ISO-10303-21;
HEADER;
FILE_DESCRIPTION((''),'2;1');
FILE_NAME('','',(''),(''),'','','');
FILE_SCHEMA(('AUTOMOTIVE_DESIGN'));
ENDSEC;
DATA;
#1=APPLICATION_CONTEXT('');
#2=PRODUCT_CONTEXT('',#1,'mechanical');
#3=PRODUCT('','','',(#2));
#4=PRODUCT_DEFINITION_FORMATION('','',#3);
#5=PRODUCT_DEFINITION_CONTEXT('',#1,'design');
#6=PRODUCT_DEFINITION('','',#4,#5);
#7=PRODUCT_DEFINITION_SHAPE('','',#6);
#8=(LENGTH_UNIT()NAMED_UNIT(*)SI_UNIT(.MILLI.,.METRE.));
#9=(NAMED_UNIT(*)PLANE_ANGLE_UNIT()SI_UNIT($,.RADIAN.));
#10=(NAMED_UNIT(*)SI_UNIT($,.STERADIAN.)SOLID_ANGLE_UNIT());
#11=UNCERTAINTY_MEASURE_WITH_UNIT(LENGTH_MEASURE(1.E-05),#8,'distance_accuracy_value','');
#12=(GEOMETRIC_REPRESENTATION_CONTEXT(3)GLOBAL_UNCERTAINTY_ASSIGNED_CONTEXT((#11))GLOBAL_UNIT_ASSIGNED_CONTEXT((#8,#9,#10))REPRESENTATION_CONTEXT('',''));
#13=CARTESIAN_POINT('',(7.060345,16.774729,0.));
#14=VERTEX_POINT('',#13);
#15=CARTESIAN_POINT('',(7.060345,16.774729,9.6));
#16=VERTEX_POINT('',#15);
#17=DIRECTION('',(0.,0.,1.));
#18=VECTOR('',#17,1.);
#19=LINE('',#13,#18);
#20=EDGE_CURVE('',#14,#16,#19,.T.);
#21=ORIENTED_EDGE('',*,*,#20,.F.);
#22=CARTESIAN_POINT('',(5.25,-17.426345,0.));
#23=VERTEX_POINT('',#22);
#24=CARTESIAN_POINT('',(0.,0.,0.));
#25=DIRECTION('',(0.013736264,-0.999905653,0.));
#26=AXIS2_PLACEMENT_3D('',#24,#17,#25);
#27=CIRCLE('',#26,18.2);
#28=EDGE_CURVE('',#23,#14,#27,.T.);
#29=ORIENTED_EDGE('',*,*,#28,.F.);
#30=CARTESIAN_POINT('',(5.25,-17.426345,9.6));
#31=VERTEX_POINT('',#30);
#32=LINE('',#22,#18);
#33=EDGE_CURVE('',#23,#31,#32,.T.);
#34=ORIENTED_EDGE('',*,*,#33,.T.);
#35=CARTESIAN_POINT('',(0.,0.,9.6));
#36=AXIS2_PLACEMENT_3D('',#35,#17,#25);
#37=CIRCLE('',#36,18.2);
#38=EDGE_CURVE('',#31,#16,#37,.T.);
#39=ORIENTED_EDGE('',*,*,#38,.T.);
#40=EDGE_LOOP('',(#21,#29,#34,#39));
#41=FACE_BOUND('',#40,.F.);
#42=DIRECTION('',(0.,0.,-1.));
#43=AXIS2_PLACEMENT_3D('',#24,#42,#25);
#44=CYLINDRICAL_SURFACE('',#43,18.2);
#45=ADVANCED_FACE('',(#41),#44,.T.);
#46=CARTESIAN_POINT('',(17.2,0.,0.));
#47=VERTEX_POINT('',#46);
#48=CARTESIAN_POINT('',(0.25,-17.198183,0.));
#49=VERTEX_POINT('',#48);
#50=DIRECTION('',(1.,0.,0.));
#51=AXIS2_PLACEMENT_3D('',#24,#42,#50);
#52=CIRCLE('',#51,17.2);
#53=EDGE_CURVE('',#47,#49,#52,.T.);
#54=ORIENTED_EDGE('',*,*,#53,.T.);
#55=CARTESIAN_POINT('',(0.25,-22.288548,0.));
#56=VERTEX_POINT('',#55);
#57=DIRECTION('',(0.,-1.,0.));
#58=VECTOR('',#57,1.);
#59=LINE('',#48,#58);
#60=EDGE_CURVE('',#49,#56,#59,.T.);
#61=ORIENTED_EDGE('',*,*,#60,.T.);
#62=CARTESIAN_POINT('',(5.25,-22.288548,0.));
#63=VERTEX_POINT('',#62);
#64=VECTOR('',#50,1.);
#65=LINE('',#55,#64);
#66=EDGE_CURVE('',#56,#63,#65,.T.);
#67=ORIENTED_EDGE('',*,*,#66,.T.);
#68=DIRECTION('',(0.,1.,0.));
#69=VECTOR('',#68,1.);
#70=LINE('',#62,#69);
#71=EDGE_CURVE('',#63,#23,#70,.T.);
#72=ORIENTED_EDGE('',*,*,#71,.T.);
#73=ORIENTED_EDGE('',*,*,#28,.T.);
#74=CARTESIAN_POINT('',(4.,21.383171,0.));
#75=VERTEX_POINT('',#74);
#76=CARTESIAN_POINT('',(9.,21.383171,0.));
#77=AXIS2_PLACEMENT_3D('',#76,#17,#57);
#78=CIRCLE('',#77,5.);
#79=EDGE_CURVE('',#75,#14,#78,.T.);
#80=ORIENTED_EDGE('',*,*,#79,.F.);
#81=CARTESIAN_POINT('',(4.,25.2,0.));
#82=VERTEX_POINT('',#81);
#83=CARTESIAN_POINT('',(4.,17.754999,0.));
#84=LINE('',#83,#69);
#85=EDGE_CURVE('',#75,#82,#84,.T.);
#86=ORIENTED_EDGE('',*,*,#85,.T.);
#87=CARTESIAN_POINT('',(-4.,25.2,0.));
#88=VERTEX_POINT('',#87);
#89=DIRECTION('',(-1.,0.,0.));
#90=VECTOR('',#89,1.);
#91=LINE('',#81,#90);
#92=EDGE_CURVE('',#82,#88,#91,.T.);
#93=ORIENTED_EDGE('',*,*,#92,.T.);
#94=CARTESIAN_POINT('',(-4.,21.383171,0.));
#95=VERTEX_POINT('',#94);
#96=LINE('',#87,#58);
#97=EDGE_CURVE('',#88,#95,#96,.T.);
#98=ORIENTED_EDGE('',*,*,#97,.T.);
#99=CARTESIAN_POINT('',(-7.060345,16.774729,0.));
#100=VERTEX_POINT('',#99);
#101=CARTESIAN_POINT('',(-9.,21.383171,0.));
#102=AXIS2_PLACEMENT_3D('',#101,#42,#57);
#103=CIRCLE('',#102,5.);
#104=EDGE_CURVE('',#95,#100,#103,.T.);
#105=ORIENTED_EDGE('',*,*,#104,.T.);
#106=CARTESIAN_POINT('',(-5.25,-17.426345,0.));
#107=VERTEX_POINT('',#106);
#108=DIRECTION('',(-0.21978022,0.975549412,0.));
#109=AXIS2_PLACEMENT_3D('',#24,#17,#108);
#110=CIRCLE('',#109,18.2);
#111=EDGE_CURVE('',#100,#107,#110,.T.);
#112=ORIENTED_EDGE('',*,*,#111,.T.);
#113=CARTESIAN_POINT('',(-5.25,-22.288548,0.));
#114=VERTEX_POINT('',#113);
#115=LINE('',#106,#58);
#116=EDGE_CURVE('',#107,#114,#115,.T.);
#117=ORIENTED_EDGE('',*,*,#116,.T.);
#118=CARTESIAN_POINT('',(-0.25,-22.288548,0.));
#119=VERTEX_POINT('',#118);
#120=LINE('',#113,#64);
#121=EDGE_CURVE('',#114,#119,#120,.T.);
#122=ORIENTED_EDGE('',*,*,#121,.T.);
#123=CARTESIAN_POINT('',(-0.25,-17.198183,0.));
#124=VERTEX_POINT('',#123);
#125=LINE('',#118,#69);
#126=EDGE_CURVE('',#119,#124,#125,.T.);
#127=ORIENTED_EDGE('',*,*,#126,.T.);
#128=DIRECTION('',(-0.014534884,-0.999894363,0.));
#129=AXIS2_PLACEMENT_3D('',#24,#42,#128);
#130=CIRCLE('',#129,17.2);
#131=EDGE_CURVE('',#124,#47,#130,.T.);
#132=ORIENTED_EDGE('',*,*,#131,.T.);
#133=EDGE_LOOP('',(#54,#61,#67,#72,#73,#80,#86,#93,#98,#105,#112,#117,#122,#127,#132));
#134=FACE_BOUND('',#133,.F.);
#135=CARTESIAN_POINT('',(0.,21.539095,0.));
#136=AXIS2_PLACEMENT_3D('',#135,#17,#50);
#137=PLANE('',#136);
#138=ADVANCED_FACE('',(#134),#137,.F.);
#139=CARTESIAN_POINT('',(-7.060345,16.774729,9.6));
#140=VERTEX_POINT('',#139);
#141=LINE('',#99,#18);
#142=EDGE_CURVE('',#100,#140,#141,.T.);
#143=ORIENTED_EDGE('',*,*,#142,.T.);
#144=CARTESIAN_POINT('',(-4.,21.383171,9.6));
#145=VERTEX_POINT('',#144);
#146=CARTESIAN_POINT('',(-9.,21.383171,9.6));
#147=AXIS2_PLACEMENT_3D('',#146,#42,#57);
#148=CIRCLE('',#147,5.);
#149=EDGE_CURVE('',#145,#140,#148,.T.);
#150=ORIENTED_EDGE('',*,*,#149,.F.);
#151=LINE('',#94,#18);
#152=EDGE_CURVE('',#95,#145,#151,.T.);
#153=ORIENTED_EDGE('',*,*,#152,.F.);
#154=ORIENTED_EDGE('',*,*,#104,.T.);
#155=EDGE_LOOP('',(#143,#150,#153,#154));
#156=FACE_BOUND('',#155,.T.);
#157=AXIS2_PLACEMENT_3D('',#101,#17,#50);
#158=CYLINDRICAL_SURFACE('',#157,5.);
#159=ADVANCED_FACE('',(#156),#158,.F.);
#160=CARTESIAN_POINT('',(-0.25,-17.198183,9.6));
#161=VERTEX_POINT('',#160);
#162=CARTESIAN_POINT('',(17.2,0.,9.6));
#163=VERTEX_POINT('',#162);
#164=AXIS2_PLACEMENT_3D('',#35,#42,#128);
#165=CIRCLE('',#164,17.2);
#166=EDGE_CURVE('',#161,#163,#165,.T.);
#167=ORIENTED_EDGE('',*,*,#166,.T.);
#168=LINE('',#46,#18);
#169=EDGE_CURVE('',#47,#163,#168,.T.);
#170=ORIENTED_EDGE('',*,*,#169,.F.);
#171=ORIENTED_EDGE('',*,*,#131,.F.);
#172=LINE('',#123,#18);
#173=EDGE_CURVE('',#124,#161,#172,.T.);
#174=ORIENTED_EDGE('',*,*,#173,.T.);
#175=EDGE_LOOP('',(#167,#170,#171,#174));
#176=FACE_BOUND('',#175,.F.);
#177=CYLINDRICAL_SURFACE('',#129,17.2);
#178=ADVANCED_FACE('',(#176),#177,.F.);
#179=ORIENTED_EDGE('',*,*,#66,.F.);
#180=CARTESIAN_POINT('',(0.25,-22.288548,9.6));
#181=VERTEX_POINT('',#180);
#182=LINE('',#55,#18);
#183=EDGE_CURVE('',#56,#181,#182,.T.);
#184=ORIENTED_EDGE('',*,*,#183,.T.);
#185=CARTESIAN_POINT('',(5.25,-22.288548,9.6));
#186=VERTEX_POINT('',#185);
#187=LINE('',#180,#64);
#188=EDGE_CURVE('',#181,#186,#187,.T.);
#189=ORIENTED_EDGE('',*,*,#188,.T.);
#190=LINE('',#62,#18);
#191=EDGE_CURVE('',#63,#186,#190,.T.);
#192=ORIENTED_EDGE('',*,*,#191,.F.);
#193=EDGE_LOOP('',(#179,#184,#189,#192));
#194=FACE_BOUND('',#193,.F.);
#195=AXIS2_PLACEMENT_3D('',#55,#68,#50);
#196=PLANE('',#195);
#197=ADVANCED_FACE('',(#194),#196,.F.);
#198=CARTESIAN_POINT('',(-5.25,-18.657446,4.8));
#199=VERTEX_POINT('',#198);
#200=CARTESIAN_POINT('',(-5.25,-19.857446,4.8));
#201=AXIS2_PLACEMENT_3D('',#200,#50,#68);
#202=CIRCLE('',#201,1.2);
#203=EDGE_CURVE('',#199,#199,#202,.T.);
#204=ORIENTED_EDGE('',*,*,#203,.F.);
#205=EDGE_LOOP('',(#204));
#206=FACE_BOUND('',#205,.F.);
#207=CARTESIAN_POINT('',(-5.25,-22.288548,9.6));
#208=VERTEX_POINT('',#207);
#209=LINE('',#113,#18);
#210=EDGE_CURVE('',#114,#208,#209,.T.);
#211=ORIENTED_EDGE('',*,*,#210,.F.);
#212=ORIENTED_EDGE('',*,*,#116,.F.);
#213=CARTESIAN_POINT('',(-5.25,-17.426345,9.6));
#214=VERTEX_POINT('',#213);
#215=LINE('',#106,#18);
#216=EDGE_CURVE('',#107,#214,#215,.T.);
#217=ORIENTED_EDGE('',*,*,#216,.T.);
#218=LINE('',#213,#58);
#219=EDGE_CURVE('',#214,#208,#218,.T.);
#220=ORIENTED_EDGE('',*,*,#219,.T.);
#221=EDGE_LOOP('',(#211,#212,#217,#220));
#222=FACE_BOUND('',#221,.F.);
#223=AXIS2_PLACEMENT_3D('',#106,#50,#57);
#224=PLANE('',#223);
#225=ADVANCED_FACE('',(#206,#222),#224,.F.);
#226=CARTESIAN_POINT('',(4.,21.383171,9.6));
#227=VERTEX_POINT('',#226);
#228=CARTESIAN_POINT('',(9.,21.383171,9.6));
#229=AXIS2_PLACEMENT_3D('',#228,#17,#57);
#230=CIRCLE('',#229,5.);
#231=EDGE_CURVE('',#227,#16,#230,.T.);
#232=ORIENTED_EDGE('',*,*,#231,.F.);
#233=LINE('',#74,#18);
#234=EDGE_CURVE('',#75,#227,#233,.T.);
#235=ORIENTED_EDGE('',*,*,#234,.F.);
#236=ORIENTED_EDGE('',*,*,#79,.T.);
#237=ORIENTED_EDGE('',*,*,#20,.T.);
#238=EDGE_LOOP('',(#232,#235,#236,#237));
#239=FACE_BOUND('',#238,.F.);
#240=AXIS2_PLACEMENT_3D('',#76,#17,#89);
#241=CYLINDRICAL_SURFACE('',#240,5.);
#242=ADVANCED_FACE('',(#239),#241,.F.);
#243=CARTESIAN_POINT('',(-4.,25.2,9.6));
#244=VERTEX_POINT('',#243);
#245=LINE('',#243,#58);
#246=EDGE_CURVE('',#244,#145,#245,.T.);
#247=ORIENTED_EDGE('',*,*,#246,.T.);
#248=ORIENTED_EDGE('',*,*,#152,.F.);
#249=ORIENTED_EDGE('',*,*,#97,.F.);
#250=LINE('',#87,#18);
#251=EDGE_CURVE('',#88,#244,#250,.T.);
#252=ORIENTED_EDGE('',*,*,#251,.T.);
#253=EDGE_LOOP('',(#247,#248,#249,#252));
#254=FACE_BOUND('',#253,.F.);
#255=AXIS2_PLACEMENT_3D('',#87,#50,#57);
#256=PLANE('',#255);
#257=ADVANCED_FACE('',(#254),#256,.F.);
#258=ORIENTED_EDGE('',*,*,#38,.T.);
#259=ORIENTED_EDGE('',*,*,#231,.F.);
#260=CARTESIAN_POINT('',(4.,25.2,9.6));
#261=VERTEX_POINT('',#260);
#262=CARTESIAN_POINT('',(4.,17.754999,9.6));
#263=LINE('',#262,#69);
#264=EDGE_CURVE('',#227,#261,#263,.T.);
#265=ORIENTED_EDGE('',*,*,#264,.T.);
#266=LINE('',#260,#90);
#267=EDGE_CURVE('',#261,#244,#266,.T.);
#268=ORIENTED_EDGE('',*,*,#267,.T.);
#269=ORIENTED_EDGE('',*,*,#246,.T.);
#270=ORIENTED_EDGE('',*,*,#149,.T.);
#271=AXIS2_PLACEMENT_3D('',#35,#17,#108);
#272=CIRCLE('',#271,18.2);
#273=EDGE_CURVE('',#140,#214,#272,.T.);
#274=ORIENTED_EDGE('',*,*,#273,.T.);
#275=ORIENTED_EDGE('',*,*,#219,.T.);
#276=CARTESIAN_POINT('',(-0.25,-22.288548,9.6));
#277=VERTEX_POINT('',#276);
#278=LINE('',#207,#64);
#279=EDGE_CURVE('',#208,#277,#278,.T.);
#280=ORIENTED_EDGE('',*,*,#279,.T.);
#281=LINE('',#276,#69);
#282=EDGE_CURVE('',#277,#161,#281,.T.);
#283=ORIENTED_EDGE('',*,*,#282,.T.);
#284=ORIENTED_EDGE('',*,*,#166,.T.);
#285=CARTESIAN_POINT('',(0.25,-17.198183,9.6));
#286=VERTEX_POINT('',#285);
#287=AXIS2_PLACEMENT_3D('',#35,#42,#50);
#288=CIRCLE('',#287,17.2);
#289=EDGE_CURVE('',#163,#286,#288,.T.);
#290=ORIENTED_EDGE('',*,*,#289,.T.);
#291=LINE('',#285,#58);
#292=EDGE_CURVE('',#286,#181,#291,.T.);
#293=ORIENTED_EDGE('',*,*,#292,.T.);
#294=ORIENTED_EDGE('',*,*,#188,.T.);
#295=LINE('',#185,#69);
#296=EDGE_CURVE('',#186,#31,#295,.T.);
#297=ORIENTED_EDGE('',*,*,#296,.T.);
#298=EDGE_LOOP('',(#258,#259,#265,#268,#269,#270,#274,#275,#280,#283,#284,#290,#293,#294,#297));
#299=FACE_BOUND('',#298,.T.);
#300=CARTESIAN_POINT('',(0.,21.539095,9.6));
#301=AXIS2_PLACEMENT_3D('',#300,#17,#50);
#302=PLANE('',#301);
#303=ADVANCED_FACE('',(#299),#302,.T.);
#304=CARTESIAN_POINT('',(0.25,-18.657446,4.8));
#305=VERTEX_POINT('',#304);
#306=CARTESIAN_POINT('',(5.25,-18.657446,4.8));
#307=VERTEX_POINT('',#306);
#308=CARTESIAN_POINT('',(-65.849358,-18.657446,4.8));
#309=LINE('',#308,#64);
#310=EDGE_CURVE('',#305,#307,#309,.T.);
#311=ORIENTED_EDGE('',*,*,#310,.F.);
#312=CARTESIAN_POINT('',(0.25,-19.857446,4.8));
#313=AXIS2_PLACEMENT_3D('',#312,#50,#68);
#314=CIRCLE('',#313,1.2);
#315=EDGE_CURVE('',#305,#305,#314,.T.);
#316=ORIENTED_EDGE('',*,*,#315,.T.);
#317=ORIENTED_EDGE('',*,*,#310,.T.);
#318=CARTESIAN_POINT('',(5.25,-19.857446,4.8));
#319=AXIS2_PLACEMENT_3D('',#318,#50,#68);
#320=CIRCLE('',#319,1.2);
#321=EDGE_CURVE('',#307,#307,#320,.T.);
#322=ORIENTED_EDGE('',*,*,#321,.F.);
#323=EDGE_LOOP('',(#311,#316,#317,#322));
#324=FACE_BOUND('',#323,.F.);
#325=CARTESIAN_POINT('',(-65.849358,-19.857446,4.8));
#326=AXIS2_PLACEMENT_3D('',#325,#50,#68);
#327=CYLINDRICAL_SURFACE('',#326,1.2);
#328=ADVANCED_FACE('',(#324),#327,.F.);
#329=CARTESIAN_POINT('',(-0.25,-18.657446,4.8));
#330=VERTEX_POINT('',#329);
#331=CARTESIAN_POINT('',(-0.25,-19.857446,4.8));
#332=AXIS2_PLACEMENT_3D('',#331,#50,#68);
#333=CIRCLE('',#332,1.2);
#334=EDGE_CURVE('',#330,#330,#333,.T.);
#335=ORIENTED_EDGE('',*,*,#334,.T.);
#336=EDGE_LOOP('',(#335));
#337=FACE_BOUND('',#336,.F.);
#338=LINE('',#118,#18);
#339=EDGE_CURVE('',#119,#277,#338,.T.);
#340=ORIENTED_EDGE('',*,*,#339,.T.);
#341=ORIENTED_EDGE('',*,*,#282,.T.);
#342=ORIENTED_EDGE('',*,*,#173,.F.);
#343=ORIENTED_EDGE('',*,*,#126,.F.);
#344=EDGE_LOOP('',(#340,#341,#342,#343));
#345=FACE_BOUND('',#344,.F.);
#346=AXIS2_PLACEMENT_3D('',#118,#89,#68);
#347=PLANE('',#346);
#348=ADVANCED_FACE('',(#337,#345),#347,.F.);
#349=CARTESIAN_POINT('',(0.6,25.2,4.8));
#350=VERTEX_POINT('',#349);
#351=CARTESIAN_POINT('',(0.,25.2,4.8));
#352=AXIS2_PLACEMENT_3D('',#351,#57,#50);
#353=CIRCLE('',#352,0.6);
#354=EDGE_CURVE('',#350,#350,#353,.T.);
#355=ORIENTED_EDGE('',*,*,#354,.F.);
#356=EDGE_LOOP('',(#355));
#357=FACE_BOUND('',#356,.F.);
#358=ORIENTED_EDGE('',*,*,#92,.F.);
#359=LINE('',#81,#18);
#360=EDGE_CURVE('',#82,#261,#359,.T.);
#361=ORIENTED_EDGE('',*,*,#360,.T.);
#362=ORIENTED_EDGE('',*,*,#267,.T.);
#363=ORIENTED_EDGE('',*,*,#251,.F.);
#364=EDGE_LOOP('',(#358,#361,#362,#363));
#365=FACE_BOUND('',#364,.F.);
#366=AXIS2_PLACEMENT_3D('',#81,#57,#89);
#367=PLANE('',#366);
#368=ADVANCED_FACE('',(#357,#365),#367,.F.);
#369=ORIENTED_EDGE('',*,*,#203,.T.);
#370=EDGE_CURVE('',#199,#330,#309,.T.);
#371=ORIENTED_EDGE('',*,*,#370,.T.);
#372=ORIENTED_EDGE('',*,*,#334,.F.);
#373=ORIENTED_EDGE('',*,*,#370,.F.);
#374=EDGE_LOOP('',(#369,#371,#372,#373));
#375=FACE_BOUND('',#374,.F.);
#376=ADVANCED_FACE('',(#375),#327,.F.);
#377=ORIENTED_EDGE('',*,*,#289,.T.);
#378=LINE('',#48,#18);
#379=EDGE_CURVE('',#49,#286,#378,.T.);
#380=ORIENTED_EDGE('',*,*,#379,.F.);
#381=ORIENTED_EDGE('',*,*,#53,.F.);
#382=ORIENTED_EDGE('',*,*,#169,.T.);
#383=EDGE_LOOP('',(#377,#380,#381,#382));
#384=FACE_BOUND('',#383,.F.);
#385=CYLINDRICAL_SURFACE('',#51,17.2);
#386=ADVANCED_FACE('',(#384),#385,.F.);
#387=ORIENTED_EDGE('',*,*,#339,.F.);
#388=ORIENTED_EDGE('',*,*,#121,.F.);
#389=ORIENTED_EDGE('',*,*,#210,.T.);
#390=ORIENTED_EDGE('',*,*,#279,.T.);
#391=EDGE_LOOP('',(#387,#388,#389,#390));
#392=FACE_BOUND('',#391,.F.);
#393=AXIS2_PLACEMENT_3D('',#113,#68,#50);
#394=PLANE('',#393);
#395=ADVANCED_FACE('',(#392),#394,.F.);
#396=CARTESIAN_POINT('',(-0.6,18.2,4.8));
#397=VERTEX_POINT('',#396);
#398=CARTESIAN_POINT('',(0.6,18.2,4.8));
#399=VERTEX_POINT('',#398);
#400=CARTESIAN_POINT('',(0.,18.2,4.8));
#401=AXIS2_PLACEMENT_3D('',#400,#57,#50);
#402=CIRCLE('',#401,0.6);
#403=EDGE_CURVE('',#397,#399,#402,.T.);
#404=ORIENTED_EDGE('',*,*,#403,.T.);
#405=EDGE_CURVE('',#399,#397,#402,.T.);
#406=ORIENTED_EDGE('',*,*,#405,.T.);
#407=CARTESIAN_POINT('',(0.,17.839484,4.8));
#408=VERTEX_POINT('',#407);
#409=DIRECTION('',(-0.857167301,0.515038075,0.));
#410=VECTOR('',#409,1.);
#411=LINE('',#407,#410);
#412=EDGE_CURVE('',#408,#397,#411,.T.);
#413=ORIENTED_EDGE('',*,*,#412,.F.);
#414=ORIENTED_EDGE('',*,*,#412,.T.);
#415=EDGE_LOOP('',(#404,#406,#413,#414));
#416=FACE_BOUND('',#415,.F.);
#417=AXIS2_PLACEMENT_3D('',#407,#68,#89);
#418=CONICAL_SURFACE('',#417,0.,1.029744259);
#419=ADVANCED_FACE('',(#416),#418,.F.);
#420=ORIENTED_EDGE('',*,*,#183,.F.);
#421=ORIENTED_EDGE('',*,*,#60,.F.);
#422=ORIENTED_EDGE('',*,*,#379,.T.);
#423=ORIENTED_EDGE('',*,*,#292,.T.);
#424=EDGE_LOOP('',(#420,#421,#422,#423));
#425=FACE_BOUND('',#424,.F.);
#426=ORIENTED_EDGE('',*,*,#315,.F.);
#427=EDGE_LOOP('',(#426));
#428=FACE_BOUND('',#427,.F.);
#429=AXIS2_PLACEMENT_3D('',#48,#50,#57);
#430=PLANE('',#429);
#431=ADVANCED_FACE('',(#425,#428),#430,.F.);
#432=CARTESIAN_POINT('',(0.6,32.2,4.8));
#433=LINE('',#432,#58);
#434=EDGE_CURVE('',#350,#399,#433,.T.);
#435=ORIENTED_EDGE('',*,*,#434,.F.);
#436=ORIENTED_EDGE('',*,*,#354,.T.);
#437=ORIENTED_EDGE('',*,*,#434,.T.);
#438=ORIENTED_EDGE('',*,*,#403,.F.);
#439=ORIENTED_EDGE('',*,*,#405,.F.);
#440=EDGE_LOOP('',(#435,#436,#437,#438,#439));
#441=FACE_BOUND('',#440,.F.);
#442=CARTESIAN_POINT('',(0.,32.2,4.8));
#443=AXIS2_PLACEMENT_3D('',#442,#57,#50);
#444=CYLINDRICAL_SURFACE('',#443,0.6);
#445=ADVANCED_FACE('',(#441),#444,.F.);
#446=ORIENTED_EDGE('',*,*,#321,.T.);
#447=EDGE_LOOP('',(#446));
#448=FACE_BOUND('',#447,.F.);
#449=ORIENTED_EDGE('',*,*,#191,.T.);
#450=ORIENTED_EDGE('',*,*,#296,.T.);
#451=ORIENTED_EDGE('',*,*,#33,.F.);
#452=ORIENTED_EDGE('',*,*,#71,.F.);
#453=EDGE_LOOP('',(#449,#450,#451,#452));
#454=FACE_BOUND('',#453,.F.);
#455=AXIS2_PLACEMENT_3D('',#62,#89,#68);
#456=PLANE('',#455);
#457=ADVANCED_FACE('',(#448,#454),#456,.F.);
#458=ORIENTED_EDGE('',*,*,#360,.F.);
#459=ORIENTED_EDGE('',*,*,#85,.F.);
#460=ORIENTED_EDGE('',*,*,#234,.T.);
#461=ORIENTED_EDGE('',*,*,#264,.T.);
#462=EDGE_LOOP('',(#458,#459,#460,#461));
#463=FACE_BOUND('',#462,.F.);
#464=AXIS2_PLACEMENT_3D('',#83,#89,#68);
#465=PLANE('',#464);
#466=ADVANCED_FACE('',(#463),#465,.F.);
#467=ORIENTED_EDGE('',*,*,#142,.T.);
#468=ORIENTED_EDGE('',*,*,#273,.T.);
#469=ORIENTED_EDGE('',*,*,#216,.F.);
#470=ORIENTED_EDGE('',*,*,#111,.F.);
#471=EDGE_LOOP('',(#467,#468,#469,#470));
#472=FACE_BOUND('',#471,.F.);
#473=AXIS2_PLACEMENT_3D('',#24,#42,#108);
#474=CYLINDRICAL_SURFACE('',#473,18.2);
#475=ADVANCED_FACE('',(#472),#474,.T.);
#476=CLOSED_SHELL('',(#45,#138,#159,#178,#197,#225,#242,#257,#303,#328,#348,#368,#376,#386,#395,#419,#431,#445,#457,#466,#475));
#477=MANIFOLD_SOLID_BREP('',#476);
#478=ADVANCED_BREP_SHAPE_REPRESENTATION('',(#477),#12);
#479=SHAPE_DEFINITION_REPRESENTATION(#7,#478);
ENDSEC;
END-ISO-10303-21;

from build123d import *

# Parameters (mm, degrees)
F1_DEPTH = 9.6
F3_D     = 2.4
F5_D     = 1.2
F5_DEPTH = 7
F5_TIP   = 0.3605163714
F6_R     = 5


with BuildPart() as f1:
    # F0 (on Top) → F1 (new body)
    with BuildSketch(Plane.XY):
        with BuildLine():
            Line((-4, 25.2), (-4, 17.754999296))
            ThreePointArc((-4, 17.754999296), (0, 18.2), (4, 17.754999296))
            Line((4, 17.754999296), (4, 25.2))
            Line((4, 25.2), (-4, 25.2))
        make_face()
        with BuildLine():
            ThreePointArc((-0.25, -17.1981830436), (-12.0735247546, 12.2503061186), (17.2, 0))
            ThreePointArc((17.2, 0), (12.2503061186, -12.0735247546), (0.25, -17.1981830436))
            Line((0.25, -17.1981830436), (0.25, -18.198282886))
            ThreePointArc((0.25, -18.198282886), (2.7769537313, -17.986898787), (5.25, -17.4263449983))
            ThreePointArc((5.25, -17.4263449983), (18.1885230733, 0.6462417596), (4, 17.754999296))
            ThreePointArc((4, 17.754999296), (0, 18.2), (-4, 17.754999296))
            ThreePointArc((-4, 17.754999296), (-18.1885230733, 0.6462417596), (-5.25, -17.4263449983))
            ThreePointArc((-5.25, -17.4263449983), (-2.7769537313, -17.986898787), (-0.25, -18.198282886))
            Line((-0.25, -18.198282886), (-0.25, -17.1981830436))
        make_face()
        with BuildLine():
            Line((-0.25, -22.2885478301), (-0.25, -18.198282886))
            ThreePointArc((-0.25, -18.198282886), (-2.7769537313, -17.986898787), (-5.25, -17.4263449983))
            Line((-5.25, -17.4263449983), (-5.25, -22.2885478301))
            Line((-5.25, -22.2885478301), (-0.25, -22.2885478301))
        make_face()
        with BuildLine():
            ThreePointArc((5.25, -17.4263449983), (2.7769537313, -17.986898787), (0.25, -18.198282886))
            Line((0.25, -18.198282886), (0.25, -22.2885478301))
            Line((0.25, -22.2885478301), (5.25, -22.2885478301))
            Line((5.25, -22.2885478301), (5.25, -17.4263449983))
        make_face()
    extrude(amount=F1_DEPTH)

    # F3 (through all)
    with Locations(Plane(origin=(-5.25, 0, 0), x_dir=(0, -1, 0), z_dir=(-1, 0, 0))):
        with Locations((19.8574464142, 4.8)):
            Hole(F3_D / 2)

    # F5
    with Locations(Plane(origin=(0, 25.2, 0), x_dir=(-1, 0, 0), z_dir=(0, 1, 0))):
        with Locations((0, 4.8)):
            Hole(F5_D / 2, depth=F5_DEPTH)
            with Locations((0, 0, -(F5_DEPTH + F5_TIP / 2))):  # 118° drill point
                Cone(0, F5_D / 2, F5_TIP, mode=Mode.SUBTRACT)

    # F6
    f6_edges = [f1.edges().sort_by_distance(p)[0] for p in [
        (-4, 17.754999, 4.8),
        (4, 17.754999, 4.8),
    ]]
    fillet(f6_edges, radius=F6_R)


solid = f1.part
